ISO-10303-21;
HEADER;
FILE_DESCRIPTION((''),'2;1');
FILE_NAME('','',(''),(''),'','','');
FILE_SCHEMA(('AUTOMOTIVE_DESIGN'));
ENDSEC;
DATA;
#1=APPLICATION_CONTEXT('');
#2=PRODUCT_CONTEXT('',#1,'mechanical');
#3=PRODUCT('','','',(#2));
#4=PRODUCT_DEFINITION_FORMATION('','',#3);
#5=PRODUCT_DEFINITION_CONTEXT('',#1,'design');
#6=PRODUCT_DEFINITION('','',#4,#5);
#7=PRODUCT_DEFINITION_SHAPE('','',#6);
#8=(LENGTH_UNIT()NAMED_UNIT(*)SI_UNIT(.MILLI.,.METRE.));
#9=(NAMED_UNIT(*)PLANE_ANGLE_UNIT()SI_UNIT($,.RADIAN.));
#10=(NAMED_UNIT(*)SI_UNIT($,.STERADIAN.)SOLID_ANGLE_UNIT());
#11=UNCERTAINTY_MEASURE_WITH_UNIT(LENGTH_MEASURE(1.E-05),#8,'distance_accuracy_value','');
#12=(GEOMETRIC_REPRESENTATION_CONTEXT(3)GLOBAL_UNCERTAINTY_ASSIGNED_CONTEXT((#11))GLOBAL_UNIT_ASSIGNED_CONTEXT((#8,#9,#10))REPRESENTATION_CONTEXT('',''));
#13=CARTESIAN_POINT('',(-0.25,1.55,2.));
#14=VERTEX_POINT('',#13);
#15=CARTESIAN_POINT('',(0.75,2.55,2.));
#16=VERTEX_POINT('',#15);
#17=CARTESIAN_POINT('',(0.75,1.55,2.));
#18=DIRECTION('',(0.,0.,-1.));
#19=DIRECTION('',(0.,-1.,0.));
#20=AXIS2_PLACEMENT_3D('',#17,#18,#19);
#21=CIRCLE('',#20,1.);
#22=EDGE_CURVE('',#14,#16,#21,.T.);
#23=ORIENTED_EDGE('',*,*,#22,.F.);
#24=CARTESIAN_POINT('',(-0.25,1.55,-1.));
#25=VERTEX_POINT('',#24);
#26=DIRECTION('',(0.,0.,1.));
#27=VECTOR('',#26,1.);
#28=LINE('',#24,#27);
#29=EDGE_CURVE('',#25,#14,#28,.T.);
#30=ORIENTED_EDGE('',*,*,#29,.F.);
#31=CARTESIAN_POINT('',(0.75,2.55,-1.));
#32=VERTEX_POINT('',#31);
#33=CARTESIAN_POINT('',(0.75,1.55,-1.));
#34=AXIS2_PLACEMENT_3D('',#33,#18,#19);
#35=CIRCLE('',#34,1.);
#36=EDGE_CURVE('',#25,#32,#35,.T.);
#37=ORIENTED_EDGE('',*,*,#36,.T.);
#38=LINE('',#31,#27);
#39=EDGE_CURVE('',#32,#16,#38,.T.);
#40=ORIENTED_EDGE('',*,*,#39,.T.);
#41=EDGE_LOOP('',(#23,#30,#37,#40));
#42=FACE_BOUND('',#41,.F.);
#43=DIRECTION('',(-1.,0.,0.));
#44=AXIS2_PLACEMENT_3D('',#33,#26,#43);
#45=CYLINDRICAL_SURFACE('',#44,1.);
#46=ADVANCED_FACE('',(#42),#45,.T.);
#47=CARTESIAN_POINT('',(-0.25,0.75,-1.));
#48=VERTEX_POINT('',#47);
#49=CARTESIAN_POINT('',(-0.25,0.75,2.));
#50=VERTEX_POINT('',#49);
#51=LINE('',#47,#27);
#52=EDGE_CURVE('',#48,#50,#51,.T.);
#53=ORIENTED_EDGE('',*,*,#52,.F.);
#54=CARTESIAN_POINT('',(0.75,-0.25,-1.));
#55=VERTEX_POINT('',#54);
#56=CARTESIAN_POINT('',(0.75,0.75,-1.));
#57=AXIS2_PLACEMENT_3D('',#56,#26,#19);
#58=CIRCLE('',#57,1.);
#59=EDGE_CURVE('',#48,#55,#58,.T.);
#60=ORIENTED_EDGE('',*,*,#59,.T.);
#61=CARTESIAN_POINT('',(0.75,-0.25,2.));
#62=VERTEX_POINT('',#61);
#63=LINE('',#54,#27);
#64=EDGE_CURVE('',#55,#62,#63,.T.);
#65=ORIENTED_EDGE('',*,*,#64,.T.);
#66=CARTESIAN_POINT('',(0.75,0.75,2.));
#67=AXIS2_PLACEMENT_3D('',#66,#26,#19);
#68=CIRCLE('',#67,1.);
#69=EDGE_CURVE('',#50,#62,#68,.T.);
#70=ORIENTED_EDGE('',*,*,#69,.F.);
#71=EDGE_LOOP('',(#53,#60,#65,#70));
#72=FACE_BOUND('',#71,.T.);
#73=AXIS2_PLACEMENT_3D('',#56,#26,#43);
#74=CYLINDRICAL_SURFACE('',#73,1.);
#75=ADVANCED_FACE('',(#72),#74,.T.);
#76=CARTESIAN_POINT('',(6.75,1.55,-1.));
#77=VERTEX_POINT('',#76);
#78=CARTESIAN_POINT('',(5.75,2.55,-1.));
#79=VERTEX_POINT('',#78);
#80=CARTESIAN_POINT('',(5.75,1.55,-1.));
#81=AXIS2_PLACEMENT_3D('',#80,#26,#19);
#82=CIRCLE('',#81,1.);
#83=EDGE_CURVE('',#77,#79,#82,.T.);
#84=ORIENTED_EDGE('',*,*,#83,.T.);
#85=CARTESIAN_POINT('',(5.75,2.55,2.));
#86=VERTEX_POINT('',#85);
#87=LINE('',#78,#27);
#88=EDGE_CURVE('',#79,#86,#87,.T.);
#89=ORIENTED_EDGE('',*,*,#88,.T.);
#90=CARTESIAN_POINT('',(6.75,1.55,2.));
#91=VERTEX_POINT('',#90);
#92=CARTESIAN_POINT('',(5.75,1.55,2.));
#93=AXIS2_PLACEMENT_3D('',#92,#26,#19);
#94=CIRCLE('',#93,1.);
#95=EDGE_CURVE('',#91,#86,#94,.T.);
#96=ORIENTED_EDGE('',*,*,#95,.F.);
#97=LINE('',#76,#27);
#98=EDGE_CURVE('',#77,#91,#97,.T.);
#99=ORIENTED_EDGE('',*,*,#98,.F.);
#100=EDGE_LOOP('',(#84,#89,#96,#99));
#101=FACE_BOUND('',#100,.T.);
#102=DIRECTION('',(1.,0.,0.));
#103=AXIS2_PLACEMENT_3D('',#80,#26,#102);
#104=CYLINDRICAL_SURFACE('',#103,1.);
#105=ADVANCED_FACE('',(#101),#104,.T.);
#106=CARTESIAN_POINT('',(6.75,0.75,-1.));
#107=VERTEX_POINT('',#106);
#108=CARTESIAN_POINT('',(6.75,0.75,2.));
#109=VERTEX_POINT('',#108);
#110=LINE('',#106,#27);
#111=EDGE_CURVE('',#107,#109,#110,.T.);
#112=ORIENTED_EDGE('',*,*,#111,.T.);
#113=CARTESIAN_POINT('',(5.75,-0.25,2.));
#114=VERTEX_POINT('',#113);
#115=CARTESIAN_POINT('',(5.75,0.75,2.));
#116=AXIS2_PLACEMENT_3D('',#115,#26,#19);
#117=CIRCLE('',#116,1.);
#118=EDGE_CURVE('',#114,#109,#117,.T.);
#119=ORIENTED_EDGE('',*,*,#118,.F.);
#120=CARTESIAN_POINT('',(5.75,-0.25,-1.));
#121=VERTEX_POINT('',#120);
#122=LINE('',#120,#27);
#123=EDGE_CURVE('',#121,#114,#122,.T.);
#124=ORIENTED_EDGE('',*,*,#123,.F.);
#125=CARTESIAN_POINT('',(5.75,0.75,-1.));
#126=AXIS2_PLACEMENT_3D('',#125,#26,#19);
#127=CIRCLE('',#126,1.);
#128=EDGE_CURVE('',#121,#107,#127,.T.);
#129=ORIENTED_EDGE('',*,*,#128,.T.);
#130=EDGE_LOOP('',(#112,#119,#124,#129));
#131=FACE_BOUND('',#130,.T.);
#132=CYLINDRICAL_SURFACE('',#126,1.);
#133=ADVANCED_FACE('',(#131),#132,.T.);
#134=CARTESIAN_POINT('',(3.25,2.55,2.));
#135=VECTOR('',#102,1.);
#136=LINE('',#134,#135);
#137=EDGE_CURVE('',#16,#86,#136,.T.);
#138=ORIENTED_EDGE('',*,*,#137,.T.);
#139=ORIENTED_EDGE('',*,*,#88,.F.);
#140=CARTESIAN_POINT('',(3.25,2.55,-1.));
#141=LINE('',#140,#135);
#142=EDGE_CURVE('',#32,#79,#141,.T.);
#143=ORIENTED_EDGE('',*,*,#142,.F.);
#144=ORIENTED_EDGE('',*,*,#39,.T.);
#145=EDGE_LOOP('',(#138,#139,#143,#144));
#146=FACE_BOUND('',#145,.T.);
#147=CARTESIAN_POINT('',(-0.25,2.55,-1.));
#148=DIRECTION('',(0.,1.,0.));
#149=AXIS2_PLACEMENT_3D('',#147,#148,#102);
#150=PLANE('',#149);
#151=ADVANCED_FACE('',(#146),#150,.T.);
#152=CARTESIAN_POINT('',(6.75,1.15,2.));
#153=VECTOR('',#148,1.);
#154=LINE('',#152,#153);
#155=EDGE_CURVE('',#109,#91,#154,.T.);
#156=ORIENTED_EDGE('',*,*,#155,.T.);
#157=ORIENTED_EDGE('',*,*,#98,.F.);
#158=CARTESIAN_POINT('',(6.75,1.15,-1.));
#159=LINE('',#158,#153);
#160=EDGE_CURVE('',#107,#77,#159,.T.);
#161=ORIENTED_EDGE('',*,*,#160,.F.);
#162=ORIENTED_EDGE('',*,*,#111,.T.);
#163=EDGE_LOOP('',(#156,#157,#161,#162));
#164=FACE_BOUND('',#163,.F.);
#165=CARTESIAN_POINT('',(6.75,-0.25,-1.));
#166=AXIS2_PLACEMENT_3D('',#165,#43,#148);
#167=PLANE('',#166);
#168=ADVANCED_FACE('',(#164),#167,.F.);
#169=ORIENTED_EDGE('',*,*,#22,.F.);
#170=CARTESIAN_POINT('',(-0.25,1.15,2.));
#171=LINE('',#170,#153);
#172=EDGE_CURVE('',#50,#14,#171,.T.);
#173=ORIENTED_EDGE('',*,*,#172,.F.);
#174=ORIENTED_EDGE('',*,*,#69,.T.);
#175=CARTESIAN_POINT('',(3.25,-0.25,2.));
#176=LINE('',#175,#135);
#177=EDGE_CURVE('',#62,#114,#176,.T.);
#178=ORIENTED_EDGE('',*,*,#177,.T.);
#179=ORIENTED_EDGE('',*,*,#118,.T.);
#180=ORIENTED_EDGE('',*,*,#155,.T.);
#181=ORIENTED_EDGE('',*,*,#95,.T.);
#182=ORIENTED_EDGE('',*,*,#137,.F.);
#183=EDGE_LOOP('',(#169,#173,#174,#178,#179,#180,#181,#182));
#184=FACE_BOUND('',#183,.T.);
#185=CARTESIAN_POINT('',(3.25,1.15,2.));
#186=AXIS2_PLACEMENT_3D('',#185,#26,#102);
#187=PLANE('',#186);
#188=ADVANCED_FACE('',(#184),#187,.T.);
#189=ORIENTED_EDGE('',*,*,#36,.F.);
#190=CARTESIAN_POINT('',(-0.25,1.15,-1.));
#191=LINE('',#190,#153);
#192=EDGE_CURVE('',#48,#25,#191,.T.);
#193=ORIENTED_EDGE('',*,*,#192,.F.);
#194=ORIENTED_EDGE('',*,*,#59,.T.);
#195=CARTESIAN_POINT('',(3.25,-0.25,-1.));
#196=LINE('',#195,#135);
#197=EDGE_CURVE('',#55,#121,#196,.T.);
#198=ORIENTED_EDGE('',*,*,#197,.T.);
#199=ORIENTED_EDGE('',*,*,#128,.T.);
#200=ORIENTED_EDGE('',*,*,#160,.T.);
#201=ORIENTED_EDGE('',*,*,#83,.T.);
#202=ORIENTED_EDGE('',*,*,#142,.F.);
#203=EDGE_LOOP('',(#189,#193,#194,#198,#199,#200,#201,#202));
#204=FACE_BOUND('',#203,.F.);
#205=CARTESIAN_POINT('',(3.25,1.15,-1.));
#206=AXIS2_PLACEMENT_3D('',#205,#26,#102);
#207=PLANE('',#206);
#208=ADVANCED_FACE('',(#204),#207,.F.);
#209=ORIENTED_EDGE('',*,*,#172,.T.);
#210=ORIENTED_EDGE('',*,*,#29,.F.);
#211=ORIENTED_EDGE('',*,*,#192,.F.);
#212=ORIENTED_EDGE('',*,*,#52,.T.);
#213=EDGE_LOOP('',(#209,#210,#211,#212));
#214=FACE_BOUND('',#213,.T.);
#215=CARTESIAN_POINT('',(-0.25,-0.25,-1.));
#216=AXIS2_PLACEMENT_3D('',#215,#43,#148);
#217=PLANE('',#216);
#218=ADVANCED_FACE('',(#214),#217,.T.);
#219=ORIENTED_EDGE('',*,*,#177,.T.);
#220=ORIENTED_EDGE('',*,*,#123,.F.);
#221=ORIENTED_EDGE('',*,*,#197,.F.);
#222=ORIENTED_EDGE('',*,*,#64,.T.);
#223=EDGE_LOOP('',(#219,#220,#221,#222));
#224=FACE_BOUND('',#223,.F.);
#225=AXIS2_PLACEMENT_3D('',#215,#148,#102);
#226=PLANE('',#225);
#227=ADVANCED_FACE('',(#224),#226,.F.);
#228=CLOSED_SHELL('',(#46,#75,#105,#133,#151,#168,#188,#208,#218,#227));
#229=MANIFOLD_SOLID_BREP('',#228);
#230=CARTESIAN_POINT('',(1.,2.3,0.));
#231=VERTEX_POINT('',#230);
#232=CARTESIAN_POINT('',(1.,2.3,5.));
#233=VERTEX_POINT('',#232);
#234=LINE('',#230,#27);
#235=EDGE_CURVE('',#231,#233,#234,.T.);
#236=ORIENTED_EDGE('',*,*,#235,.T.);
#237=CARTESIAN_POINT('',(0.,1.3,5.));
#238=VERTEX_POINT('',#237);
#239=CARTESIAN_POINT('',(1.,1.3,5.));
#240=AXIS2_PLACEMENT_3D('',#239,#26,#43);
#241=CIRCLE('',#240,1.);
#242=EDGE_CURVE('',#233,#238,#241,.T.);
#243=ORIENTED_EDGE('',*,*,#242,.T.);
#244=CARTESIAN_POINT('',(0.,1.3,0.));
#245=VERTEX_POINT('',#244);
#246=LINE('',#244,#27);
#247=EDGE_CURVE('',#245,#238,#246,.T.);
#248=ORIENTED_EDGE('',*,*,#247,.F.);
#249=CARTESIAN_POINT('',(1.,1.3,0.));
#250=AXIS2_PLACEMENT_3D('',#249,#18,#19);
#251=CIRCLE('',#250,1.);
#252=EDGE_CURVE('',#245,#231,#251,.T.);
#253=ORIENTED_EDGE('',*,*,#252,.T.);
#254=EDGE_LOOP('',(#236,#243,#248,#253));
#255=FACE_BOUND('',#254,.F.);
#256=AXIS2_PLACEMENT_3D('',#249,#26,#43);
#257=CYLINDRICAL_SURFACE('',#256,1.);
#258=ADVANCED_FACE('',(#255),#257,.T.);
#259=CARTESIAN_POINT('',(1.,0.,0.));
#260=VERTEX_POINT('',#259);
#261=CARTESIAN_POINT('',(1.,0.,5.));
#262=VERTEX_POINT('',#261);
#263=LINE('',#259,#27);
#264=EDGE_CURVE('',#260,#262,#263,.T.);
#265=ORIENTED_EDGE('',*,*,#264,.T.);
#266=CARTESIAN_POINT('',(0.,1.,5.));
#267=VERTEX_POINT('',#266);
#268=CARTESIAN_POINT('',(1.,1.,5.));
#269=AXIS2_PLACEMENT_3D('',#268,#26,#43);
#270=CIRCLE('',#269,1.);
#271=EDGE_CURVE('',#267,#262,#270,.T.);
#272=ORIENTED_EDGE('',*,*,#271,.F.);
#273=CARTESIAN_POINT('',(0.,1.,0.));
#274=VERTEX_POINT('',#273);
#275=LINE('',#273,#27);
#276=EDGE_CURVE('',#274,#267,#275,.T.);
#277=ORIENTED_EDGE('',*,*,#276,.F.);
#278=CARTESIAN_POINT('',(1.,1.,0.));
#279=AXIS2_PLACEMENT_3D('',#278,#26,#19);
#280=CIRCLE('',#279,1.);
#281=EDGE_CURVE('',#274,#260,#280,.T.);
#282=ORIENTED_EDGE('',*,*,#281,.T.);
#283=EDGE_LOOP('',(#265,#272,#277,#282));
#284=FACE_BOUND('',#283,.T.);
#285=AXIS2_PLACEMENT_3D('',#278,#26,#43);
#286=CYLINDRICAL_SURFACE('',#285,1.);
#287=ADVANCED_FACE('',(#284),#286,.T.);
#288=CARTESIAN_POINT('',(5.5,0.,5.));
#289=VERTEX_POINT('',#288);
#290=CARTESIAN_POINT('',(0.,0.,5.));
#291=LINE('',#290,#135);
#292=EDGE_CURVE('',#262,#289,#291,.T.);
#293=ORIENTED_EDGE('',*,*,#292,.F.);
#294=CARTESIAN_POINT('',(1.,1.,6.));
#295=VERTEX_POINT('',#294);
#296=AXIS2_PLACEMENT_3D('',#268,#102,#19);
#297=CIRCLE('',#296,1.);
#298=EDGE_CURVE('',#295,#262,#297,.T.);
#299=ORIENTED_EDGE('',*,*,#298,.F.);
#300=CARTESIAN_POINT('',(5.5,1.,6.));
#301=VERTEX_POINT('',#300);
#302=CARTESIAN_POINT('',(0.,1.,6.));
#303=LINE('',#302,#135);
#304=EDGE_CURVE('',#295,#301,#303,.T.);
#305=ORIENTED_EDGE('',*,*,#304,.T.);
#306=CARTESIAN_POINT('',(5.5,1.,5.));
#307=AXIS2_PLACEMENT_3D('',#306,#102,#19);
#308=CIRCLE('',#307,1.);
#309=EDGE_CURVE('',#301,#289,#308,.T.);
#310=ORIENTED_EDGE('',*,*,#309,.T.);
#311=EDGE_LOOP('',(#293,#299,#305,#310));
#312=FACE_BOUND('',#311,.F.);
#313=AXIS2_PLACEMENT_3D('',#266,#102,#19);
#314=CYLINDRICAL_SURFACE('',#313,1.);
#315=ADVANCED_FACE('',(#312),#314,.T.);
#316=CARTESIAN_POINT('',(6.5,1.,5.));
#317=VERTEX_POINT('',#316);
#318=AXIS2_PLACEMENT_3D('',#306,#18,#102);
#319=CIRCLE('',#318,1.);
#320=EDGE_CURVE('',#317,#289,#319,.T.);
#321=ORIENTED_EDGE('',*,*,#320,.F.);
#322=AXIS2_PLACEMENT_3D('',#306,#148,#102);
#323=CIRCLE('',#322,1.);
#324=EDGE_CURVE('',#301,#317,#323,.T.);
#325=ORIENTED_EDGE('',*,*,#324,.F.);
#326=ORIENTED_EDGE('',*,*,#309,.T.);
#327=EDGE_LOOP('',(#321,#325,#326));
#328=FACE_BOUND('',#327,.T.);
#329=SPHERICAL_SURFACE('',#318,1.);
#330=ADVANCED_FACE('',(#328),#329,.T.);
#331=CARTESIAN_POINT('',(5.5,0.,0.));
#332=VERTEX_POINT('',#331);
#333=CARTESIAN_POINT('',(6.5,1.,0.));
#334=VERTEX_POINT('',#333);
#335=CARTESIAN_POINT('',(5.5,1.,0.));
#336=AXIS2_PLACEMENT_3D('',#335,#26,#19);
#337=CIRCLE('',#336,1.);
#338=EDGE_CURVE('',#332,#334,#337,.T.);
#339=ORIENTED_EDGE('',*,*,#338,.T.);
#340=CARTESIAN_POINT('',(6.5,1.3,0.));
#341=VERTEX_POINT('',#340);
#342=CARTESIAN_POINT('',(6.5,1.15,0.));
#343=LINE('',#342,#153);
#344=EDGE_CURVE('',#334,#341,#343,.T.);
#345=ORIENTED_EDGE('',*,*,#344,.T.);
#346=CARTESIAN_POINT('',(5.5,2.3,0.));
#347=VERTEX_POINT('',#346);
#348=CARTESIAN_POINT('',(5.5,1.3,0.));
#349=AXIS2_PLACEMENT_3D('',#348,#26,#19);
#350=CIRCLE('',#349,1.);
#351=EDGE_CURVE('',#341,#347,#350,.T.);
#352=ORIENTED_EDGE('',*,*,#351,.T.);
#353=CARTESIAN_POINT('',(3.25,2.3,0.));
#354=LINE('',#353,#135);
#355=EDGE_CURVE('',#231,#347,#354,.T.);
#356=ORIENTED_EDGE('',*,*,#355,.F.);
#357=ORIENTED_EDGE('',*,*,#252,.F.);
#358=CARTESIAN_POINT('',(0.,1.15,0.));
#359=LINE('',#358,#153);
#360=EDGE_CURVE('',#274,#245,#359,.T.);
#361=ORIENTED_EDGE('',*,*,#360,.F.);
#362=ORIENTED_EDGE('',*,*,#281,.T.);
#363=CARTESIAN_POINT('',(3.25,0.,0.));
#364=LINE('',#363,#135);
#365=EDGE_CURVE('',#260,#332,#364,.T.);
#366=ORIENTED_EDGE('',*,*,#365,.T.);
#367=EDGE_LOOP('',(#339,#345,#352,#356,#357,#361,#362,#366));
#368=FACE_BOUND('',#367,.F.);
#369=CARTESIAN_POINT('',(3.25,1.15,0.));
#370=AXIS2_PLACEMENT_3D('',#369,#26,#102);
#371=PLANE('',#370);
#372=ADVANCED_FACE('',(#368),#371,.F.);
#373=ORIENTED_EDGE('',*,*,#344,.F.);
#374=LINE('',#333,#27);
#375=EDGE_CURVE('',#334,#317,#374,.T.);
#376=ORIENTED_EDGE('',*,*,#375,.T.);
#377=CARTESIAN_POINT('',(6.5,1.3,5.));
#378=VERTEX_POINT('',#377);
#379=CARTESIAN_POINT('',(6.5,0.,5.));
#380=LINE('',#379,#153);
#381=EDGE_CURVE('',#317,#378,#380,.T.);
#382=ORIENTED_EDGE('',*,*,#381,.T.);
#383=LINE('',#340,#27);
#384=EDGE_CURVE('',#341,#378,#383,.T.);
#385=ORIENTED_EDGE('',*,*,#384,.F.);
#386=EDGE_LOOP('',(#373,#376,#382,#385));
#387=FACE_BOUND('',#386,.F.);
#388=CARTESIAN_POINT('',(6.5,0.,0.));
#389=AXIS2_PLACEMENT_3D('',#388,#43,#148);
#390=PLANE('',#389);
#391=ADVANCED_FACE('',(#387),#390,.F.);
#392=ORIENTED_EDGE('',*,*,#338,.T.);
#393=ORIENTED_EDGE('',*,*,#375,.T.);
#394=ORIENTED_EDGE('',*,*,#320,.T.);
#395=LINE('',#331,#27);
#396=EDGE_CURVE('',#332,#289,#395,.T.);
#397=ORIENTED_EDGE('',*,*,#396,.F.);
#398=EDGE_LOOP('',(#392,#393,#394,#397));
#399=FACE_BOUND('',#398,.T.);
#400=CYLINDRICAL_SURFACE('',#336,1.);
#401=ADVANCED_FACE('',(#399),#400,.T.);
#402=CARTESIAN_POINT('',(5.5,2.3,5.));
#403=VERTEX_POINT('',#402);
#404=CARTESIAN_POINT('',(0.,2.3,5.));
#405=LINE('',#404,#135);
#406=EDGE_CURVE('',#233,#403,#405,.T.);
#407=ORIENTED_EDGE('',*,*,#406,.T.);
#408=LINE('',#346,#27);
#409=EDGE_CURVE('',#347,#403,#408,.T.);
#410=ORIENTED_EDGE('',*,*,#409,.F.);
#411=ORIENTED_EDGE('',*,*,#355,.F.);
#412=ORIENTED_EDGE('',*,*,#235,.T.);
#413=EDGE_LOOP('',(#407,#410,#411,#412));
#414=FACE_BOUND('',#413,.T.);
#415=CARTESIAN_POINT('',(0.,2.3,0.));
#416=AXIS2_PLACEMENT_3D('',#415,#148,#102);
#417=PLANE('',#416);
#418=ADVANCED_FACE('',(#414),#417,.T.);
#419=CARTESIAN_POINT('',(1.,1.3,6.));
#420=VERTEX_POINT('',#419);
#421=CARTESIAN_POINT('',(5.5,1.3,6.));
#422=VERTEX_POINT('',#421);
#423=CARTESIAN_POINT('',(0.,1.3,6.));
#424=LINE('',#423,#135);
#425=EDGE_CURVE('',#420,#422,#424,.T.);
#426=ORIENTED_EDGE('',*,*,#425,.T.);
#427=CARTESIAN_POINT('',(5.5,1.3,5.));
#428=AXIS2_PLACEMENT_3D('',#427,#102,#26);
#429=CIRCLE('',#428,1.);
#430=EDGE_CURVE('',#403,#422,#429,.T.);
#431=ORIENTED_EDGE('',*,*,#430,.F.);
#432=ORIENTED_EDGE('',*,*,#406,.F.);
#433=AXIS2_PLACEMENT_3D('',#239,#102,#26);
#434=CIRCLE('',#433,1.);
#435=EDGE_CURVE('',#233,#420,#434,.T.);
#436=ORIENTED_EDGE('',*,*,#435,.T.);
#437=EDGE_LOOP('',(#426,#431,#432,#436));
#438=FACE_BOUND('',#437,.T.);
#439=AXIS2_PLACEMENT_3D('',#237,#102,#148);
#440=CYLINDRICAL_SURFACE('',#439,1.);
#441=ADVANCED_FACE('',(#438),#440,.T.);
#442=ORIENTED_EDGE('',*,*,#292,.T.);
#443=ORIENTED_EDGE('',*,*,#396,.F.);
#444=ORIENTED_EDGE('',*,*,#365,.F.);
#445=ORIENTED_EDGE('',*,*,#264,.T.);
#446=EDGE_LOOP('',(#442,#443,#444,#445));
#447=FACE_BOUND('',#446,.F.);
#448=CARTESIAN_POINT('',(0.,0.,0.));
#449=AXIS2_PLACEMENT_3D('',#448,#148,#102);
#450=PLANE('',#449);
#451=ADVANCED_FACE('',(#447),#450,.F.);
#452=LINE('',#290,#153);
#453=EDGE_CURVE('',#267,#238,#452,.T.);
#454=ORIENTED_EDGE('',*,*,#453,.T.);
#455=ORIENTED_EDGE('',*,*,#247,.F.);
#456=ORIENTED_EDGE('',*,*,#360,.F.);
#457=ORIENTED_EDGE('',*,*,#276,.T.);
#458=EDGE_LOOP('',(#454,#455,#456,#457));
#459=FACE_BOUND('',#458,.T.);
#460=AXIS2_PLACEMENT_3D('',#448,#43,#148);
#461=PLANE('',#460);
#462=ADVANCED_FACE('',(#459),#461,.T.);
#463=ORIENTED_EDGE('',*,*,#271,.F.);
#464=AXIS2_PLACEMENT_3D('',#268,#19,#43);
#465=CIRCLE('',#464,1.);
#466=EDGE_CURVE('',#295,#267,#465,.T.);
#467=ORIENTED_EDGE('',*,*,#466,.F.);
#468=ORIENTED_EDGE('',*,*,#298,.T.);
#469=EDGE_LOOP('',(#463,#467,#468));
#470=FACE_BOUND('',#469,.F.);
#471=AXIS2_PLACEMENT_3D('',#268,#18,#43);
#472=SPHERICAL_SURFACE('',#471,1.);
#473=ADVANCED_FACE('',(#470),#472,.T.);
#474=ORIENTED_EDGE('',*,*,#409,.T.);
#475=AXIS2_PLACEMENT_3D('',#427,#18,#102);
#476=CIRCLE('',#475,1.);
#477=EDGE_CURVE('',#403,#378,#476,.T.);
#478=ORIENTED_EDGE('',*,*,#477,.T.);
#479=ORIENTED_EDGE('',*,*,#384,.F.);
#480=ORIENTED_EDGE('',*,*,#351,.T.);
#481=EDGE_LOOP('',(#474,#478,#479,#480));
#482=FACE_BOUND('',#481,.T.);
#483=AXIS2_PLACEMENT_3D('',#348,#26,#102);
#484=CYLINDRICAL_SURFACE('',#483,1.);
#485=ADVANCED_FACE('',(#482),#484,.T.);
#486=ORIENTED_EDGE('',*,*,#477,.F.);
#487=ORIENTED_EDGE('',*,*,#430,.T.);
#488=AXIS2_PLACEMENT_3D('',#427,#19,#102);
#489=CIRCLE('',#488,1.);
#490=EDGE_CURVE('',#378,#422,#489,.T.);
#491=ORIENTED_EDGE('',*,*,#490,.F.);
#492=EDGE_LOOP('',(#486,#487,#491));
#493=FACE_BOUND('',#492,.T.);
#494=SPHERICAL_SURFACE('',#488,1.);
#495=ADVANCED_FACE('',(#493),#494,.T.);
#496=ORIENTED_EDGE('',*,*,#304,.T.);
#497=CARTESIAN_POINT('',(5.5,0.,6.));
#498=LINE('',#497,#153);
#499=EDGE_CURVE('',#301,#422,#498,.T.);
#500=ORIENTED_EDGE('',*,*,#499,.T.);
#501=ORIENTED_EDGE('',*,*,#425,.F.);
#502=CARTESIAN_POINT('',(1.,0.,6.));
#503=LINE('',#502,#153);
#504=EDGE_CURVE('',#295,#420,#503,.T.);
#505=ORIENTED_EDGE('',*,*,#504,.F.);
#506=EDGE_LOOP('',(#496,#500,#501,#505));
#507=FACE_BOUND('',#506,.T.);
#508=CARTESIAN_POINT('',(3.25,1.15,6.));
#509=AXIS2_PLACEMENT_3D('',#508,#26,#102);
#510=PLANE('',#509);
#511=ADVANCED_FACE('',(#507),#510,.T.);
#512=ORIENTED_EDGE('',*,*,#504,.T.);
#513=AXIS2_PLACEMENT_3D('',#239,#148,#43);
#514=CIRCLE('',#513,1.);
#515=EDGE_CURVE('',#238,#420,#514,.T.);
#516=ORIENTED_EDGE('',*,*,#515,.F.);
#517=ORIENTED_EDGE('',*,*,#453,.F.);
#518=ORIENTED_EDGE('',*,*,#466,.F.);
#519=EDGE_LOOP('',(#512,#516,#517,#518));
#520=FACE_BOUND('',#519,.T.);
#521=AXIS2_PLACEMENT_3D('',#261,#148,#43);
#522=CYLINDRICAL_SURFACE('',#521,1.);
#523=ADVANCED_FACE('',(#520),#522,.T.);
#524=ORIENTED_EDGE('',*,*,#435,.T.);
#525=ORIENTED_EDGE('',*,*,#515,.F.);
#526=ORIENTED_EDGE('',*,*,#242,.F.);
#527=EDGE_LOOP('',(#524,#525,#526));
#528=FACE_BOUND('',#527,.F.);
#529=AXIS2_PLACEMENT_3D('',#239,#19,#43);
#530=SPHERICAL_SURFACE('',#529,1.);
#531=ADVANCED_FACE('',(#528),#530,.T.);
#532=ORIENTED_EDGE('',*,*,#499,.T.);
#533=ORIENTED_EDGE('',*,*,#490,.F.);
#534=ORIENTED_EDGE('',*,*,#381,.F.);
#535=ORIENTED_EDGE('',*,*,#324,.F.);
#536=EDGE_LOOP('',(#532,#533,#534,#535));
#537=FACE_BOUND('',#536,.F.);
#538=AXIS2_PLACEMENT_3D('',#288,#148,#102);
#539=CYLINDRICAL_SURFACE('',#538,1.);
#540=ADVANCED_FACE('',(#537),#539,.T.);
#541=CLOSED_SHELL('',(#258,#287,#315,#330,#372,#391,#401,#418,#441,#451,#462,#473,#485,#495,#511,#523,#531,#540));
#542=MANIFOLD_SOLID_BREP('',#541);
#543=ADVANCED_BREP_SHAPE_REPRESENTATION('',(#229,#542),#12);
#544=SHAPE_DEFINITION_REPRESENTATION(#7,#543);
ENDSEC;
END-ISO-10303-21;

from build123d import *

# Parameters (mm, degrees)
BOX_W        = 6.5
BOX_H        = 2.3
BOX_DEPTH    = 6
FILLET_R     = 1
BOX001_W     = 7
BOX001_H     = 2.8
BOX001_DEPTH = 3
FILLET001_R  = 1


with BuildPart() as fillet_body:
    # Box → Box (new body)
    with BuildSketch(Plane.XY):
        with Locations((3.25, 1.15)):
            Rectangle(BOX_W, BOX_H)
    extrude(amount=BOX_DEPTH)

    # Fillet
    fillet_edges = [fillet_body.edges().sort_by_distance(p)[0] for p in [
        (0, 0, 3),
        (0, 1.15, 6),
        (0, 2.3, 3),
        (6.5, 0, 3),
        (6.5, 1.15, 6),
        (6.5, 2.3, 3),
        (3.25, 0, 6),
        (3.25, 2.3, 6),
    ]]
    fillet(fillet_edges, radius=FILLET_R)


with BuildPart() as fillet001:
    # Box001 → Box001 (new body)
    with BuildSketch(Plane(origin=(-0.25, -0.25, -1), x_dir=(1, 0, 0), z_dir=(0, 0, 1))):
        with Locations((3.5, 1.4)):
            Rectangle(BOX001_W, BOX001_H)
    extrude(amount=BOX001_DEPTH)

    # Fillet001
    fillet001_edges = [fillet001.edges().sort_by_distance(p)[0] for p in [
        (-0.25, -0.25, 0.5),
        (-0.25, 2.55, 0.5),
        (6.75, -0.25, 0.5),
        (6.75, 2.55, 0.5),
    ]]
    fillet(fillet001_edges, radius=FILLET001_R)


solid = Compound([fillet_body.part, fillet001.part])
